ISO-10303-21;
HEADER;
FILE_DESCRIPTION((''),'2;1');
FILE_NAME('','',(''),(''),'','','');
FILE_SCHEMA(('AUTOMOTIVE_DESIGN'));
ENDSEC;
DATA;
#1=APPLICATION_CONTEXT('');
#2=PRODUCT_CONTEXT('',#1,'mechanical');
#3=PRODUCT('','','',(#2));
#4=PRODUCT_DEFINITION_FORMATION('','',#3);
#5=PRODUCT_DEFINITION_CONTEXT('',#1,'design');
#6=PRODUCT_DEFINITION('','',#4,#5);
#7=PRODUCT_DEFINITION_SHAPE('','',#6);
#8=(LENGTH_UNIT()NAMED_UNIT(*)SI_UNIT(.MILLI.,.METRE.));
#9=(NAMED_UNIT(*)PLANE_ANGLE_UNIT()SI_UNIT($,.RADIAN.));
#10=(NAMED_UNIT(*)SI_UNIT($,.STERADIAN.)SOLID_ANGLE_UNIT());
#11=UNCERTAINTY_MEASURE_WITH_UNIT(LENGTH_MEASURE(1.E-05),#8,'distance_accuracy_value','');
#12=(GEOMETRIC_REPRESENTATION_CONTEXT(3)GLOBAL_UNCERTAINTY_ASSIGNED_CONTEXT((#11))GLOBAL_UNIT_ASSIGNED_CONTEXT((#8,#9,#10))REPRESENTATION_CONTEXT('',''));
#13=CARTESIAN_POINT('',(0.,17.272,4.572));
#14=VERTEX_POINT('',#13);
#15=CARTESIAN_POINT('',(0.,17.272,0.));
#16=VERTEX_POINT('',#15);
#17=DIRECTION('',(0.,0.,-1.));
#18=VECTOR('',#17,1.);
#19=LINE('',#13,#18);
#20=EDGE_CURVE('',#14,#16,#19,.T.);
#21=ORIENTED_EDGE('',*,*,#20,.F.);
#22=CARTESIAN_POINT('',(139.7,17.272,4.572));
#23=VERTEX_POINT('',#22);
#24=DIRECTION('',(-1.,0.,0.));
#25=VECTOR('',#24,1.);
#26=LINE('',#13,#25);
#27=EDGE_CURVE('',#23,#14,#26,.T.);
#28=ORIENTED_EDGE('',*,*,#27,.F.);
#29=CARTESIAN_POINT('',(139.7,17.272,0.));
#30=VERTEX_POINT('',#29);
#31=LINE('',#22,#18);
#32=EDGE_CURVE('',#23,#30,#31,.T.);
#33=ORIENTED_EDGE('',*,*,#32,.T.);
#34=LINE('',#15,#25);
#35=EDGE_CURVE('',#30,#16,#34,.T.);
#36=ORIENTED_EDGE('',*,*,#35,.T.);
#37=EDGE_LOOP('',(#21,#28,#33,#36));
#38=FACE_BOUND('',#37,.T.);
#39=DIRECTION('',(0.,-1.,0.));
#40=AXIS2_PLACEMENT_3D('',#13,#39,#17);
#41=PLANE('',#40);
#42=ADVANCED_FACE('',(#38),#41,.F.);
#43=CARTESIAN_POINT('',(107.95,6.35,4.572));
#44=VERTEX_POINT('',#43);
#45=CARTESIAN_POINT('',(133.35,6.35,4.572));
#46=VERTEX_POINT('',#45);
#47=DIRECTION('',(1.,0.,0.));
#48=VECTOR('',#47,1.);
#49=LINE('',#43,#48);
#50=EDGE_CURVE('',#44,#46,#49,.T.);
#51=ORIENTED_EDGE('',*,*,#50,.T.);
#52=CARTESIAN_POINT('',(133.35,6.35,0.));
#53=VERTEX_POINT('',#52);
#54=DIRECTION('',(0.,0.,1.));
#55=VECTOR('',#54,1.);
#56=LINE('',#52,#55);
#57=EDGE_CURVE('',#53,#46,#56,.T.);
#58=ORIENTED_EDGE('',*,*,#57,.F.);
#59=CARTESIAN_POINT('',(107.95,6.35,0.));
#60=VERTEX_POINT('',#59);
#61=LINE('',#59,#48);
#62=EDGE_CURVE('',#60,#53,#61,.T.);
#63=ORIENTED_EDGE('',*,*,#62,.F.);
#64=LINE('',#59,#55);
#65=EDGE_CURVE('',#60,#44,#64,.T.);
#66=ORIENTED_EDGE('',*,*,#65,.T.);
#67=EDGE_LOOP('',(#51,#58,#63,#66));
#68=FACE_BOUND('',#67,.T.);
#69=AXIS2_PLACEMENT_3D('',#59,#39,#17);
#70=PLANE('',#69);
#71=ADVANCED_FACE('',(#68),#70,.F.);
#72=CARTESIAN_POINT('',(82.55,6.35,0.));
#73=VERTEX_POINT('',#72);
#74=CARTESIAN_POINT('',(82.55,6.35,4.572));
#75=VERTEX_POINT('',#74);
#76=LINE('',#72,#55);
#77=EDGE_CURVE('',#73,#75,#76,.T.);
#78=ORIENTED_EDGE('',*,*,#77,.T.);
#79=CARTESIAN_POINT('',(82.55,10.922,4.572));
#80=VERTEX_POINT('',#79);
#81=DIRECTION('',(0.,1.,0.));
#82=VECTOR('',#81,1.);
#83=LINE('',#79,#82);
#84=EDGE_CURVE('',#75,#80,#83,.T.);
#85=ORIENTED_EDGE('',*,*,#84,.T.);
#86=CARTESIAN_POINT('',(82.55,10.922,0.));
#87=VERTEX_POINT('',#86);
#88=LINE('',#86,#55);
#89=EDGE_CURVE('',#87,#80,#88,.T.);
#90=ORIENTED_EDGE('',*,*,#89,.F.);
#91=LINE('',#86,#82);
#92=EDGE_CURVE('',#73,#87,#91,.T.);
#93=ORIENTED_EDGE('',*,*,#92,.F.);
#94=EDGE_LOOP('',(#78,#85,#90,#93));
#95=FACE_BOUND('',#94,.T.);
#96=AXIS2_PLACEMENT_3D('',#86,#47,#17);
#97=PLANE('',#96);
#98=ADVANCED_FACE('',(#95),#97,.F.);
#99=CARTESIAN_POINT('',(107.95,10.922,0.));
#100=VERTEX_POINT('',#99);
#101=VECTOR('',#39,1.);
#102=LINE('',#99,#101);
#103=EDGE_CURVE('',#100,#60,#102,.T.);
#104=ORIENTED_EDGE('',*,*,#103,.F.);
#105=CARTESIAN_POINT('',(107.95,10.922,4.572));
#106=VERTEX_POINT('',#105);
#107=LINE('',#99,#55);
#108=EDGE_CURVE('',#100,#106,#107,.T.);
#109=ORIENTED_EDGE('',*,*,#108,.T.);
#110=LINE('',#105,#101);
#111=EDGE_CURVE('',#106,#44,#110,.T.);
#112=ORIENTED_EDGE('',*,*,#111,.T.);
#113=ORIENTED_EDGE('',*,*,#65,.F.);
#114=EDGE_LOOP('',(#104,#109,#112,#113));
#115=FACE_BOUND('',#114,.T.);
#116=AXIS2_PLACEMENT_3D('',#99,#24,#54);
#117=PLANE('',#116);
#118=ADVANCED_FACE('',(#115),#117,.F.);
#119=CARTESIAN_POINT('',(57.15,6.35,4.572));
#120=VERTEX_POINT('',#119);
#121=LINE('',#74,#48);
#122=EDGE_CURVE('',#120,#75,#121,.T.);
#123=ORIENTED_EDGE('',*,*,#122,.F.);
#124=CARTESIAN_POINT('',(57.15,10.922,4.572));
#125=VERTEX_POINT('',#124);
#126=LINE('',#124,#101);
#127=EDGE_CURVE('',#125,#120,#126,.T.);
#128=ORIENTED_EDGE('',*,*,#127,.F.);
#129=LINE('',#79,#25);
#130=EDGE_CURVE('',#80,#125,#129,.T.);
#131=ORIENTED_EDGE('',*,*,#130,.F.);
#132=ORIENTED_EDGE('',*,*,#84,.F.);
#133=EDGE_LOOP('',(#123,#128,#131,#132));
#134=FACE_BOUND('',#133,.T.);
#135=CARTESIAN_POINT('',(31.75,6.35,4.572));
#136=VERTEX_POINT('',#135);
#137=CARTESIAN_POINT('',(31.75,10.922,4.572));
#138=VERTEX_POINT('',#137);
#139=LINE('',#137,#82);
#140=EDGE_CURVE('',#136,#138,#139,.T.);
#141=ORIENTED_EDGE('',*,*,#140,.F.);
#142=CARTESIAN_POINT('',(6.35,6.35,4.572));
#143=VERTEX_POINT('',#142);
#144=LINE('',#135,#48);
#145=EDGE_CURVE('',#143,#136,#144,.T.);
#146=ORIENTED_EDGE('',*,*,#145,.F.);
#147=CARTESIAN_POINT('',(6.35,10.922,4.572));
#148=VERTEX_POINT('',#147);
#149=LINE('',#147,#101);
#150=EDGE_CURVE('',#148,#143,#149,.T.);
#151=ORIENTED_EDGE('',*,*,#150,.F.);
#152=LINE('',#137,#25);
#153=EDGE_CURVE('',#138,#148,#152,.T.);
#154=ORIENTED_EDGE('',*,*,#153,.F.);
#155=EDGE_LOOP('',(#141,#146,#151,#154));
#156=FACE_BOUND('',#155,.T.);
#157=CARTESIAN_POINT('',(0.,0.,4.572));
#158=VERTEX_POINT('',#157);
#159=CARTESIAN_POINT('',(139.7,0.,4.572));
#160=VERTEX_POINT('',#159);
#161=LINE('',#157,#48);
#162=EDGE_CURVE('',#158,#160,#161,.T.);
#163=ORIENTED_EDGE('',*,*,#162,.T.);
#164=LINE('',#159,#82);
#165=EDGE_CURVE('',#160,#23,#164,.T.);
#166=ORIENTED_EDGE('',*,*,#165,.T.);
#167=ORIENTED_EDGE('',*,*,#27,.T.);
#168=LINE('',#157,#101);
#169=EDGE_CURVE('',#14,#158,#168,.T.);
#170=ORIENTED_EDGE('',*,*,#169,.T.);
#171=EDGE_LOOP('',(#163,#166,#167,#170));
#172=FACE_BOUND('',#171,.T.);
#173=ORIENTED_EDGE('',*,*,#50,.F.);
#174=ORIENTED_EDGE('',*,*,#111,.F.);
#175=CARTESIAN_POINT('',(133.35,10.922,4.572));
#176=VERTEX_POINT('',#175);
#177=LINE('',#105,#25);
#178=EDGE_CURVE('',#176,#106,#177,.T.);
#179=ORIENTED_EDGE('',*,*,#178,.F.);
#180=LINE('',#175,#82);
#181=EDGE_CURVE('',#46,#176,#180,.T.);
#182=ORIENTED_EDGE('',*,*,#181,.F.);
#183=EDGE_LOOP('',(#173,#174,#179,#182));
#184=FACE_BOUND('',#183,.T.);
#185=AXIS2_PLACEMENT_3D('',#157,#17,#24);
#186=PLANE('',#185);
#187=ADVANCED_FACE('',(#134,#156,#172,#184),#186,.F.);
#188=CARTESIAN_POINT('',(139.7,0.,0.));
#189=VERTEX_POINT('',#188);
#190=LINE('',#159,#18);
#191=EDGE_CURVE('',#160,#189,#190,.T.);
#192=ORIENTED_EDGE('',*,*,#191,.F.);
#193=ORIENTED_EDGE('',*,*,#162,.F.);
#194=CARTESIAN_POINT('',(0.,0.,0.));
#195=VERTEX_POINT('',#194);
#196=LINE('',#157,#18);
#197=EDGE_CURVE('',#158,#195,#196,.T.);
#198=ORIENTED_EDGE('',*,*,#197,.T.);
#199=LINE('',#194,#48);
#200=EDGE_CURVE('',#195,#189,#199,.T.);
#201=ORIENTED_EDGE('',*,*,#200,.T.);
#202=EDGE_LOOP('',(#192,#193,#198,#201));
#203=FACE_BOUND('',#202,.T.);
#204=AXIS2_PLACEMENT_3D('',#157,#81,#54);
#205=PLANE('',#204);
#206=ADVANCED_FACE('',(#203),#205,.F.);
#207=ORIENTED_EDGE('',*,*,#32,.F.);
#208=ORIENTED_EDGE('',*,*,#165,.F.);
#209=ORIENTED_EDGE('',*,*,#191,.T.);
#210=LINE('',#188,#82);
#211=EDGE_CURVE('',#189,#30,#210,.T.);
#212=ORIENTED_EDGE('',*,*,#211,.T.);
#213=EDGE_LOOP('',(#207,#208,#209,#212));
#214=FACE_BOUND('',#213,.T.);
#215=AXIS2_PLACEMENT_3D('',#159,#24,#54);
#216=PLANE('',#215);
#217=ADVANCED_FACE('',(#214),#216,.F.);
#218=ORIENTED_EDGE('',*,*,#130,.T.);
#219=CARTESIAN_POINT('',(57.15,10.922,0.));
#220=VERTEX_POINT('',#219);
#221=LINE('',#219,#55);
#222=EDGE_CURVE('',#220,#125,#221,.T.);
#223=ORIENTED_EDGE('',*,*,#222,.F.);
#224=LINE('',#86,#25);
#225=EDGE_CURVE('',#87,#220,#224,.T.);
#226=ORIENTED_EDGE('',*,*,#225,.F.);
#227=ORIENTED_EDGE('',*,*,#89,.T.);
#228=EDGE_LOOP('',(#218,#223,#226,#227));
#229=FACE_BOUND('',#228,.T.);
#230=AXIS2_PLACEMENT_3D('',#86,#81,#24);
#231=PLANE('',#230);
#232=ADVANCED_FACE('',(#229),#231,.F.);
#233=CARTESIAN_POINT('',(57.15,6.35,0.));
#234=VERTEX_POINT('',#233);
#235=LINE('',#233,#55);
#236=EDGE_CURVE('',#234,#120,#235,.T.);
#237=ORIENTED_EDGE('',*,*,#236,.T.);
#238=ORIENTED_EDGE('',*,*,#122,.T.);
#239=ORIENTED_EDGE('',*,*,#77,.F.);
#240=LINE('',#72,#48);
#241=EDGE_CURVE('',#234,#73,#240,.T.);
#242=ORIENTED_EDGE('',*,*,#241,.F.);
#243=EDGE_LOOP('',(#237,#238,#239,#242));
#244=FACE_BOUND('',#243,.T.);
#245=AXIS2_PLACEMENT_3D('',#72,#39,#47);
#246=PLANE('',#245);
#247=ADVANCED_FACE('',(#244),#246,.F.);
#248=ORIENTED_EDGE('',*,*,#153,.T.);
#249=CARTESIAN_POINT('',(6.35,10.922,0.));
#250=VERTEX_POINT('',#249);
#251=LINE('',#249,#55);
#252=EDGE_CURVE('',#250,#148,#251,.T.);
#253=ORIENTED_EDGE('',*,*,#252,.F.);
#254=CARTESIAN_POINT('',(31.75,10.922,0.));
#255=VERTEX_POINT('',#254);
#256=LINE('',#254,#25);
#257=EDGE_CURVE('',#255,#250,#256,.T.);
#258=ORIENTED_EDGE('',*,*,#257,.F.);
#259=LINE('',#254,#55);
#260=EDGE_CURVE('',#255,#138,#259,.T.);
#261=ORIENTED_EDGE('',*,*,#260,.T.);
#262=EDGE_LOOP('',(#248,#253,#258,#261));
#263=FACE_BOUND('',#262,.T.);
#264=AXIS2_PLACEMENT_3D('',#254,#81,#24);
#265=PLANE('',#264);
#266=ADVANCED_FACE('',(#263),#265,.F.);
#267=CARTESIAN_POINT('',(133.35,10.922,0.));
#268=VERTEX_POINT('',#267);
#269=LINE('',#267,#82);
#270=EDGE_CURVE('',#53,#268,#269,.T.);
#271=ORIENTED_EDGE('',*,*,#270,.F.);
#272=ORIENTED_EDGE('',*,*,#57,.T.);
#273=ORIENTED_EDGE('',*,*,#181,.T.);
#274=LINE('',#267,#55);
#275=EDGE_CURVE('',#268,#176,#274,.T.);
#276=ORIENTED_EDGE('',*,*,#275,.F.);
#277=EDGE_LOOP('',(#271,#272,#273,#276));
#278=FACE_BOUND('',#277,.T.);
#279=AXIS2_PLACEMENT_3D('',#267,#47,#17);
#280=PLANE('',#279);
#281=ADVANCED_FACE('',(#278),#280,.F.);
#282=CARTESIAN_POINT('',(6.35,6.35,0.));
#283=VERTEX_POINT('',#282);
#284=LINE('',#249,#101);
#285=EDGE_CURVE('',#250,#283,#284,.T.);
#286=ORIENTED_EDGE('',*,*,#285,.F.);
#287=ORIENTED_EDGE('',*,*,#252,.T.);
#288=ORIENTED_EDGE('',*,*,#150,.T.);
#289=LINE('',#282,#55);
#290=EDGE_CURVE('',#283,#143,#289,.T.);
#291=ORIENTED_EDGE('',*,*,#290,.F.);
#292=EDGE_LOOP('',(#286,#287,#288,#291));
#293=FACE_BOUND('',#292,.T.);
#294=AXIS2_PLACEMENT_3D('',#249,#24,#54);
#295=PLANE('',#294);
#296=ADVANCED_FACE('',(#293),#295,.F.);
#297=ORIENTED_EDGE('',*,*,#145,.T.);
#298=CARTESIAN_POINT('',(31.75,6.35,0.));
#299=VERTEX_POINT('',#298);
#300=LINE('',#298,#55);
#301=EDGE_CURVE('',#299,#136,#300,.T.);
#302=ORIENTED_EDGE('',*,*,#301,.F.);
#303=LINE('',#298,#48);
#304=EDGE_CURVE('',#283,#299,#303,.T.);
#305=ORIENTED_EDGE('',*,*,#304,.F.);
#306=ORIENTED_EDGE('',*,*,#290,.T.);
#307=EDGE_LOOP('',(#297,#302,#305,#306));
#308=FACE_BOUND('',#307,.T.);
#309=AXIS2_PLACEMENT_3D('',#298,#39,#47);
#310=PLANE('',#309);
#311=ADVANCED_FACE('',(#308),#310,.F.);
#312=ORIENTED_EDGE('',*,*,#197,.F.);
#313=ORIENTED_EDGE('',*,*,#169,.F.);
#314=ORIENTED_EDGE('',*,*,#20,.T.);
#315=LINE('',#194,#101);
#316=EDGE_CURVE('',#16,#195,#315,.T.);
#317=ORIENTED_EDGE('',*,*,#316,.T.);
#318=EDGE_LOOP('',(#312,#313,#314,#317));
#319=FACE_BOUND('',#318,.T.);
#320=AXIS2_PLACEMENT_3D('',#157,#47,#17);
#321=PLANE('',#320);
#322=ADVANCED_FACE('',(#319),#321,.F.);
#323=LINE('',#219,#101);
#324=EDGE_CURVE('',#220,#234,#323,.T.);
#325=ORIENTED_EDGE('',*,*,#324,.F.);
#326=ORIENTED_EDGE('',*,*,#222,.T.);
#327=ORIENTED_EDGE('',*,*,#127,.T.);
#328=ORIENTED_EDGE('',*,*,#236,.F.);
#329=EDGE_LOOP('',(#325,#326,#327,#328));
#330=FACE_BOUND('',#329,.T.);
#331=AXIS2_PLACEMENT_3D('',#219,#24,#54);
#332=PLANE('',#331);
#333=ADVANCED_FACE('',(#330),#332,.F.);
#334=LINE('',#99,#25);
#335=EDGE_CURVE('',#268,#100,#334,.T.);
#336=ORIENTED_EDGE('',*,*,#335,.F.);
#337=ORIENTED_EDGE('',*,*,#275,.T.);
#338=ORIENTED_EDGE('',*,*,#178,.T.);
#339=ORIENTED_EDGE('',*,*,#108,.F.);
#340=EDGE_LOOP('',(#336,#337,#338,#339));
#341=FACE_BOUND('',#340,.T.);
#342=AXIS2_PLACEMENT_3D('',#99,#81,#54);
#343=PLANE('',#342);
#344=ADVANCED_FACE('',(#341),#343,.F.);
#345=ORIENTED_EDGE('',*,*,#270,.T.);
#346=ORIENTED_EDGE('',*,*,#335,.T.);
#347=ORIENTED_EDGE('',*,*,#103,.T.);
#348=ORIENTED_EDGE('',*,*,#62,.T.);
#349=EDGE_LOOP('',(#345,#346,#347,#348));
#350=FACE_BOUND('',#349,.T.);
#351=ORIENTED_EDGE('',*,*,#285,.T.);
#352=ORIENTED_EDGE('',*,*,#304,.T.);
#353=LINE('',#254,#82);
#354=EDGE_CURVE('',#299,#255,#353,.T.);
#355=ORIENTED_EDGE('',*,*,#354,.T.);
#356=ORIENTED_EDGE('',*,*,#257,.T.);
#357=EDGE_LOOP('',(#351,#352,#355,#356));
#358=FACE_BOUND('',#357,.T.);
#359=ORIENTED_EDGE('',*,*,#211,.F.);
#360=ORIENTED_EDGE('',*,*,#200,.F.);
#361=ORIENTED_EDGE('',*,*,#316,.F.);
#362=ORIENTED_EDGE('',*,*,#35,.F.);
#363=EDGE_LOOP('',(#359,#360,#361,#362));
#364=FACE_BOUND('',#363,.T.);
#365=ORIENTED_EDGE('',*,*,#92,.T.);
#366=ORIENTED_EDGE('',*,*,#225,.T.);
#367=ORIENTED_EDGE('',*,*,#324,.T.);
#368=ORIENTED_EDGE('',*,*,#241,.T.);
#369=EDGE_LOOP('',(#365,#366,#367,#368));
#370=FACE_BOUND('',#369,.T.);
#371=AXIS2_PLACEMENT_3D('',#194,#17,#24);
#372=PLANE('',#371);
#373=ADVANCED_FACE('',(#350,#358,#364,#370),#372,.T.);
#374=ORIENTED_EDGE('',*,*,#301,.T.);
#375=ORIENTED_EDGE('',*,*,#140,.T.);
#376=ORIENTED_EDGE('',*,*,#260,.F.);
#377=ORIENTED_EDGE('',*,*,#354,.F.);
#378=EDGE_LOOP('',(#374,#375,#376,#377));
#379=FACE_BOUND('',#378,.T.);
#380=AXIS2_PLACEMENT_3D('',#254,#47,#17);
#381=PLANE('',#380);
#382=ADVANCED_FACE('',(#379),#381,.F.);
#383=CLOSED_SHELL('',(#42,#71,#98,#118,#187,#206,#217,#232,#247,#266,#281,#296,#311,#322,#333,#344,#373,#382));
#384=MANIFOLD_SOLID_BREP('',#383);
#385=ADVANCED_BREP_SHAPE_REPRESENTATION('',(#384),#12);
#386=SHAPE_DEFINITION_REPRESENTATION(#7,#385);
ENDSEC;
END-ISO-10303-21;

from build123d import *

# Parameters (mm, degrees)
SKETCH2_W           = 139.7
SKETCH2_H           = 17.272
BOSS_EXTRUDE1_DEPTH = 4.572
SKETCH3_W           = 25.4
SKETCH3_H           = 4.572
CUT_EXTRUDE1_DEPTH  = 4.572


with BuildPart() as part:
    # Sketch2 → Boss-Extrude1 (new body)
    with BuildSketch(Plane.XY):
        with Locations((69.85, 8.636)):
            Rectangle(SKETCH2_W, SKETCH2_H)
    extrude(amount=BOSS_EXTRUDE1_DEPTH)

    # Sketch3 → Cut-Extrude1 (cut)
    with BuildSketch(Plane.XY.offset(4.572)):
        with Locations((120.65, 8.636)):
            Rectangle(SKETCH3_W, SKETCH3_H)
        with Locations((69.85, 8.636)):
            Rectangle(SKETCH3_W, SKETCH3_H)
        with Locations((19.05, 8.636)):
            Rectangle(SKETCH3_W, SKETCH3_H)
    extrude(amount=-CUT_EXTRUDE1_DEPTH, mode=Mode.SUBTRACT)


solid = part.part
